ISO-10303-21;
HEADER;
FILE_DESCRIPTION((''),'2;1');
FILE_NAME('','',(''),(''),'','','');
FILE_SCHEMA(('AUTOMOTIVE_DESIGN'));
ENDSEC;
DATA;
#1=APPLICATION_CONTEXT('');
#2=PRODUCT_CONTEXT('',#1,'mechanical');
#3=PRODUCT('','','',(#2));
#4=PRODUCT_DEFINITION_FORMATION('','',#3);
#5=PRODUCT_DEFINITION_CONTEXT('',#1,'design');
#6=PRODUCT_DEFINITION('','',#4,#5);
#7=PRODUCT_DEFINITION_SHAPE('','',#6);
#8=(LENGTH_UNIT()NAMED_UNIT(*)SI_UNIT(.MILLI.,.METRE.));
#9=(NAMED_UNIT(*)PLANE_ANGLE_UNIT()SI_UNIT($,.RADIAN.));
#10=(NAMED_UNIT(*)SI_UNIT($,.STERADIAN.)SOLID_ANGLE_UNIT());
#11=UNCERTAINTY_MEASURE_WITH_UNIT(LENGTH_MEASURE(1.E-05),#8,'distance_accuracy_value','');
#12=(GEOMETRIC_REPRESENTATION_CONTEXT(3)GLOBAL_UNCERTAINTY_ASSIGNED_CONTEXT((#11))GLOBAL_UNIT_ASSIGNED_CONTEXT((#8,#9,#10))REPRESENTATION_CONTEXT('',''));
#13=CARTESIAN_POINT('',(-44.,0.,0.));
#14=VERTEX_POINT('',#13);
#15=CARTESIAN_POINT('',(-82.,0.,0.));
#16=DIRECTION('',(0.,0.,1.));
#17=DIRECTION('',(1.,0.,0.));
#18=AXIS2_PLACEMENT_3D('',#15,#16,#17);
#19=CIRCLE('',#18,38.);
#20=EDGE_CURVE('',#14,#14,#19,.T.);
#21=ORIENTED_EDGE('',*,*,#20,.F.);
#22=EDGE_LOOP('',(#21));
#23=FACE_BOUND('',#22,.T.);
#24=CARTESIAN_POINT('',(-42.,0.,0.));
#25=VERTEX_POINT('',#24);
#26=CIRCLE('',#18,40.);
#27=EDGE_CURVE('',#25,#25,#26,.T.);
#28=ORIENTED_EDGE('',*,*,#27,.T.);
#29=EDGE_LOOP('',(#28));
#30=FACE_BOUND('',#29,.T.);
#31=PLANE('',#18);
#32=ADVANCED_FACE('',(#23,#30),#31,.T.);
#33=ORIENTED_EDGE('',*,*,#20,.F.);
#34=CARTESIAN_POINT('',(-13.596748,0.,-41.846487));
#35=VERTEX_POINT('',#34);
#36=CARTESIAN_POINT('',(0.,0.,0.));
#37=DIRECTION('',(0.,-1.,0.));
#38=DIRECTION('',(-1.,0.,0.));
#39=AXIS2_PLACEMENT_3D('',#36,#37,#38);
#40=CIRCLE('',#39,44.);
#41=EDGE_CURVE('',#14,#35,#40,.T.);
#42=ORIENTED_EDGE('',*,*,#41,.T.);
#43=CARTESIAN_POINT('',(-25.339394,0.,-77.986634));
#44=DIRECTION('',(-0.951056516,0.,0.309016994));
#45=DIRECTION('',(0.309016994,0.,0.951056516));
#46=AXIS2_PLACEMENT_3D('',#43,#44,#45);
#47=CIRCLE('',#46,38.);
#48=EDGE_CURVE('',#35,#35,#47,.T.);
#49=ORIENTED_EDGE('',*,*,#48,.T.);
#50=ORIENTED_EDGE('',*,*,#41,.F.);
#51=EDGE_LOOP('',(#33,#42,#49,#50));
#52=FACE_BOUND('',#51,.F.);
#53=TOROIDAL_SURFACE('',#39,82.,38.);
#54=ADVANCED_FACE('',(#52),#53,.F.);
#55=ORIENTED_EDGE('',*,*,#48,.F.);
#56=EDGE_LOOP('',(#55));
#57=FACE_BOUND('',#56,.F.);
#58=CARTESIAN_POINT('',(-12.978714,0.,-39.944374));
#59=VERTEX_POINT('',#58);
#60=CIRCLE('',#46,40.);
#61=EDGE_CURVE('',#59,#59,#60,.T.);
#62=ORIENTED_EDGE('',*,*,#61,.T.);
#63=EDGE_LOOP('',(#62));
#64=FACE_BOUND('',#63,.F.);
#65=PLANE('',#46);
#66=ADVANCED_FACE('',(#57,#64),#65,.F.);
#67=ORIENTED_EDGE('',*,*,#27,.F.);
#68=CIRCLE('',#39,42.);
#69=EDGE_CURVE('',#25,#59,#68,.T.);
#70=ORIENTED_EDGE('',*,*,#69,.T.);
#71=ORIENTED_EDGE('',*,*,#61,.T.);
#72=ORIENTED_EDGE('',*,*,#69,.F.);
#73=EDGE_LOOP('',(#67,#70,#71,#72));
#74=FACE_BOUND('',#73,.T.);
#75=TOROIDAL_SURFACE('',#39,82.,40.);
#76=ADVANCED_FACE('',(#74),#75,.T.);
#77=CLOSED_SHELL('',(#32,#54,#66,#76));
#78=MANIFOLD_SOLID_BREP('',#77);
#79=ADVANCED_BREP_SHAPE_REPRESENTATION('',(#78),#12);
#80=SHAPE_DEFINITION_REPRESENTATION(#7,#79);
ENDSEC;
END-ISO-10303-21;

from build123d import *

# Parameters (mm, degrees)
F1_R     = 40
F1_R_2   = 38
F2_ANGLE = 72


with BuildPart() as f2:
    # F1 (on Top) → F2 (revolve)
    with BuildSketch(Plane.XY):
        with Locations((-82, 0)):
            Circle(F1_R)
        with Locations((-82, 0)):
            Circle(F1_R_2, mode=Mode.SUBTRACT)
    revolve(axis=Axis((0, -21.5753801167, 0), (0, -1, 0)), revolution_arc=F2_ANGLE)


solid = f2.part
